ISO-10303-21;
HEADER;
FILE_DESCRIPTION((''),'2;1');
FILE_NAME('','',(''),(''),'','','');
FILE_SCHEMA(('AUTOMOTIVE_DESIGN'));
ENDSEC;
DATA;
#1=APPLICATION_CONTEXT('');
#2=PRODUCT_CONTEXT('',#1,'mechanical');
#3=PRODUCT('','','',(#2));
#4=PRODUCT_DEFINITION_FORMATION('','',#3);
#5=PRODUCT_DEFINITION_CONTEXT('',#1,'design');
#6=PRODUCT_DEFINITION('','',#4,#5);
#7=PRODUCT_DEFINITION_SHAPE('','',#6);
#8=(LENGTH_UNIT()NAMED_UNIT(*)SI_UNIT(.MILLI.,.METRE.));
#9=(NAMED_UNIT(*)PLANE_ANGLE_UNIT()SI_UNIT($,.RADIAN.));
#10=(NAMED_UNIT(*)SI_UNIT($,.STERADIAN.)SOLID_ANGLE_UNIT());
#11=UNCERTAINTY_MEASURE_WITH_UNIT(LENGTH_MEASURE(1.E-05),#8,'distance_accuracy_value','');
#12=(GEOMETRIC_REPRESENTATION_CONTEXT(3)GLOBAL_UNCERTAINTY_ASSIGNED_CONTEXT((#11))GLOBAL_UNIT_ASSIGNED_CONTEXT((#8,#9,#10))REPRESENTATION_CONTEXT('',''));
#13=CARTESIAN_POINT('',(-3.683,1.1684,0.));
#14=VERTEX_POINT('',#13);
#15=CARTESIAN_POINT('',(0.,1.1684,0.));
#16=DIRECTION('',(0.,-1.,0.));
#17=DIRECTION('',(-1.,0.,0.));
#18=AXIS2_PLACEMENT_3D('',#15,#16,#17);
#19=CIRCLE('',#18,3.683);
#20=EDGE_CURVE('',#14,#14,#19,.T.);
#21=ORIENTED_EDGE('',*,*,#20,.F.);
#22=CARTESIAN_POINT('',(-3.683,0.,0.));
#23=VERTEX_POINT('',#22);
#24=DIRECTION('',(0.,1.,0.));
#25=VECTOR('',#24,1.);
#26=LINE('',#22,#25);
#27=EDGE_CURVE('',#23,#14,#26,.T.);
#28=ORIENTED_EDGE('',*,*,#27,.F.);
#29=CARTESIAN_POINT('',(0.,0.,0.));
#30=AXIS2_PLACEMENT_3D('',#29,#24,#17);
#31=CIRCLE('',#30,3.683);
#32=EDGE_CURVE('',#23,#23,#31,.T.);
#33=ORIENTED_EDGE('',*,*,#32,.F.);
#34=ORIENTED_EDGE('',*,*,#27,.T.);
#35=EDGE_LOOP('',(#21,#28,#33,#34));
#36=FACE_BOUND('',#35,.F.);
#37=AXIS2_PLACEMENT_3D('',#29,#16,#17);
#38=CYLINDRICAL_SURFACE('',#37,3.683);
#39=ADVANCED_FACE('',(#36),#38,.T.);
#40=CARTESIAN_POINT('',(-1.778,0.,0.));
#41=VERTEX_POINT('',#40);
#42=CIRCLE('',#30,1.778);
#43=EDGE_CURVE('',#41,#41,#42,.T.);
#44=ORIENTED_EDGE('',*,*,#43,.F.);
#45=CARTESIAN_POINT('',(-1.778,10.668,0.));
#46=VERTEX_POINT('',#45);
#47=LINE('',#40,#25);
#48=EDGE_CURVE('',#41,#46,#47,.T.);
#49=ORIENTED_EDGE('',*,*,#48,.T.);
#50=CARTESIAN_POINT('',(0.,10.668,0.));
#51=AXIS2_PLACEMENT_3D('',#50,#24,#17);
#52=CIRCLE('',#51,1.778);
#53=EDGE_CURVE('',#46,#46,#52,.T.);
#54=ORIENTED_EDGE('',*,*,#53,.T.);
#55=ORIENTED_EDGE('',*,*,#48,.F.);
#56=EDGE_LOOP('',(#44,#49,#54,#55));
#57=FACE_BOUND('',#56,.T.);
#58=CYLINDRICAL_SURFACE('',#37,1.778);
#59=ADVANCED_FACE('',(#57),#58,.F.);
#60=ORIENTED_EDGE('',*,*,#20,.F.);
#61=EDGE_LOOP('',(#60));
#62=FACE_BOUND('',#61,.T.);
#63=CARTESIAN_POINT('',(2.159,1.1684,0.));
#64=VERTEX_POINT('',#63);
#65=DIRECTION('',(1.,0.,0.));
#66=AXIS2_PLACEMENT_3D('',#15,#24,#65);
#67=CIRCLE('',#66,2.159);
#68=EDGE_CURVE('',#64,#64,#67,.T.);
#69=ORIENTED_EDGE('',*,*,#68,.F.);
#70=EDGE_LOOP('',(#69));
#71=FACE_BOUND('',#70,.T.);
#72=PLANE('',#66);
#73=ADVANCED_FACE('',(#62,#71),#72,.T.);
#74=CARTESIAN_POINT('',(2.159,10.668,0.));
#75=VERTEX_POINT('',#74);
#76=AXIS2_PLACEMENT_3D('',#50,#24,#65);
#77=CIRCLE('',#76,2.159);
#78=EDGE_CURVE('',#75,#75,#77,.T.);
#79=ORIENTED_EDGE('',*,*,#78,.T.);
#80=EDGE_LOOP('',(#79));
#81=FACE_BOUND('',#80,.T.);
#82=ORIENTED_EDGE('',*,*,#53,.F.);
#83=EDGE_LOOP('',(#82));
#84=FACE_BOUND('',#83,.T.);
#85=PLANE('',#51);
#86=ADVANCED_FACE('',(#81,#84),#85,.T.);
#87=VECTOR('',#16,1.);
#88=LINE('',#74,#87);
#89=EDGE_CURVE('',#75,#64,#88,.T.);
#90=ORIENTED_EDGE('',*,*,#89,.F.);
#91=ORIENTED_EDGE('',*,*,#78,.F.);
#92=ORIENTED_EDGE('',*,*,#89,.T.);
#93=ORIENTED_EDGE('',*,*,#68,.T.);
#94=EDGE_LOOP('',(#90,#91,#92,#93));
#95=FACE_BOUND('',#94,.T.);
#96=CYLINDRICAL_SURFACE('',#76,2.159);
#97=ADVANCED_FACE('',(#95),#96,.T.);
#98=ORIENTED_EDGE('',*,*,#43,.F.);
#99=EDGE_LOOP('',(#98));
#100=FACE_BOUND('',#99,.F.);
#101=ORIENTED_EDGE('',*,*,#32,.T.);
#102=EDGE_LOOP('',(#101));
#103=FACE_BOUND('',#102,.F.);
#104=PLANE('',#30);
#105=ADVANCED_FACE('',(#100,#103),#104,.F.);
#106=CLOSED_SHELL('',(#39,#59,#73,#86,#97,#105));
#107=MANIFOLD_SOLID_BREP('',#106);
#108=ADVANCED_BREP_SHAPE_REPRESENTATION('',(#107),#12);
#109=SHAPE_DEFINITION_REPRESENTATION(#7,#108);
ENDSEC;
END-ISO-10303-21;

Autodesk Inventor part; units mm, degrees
ref_plane "YZ Plane" through (0, 0, 0) normal (1, 0, 0) x (0, 1, 0)
ref_plane "XZ Plane" through (0, 0, 0) normal (0, 1, 0) x (-1, 0, 0)
ref_plane "XY Plane" through (0, 0, 0) normal (0, 0, 1) x (1, 0, 0)
sketch "Sketch1" plane through (0, 0, 0) normal (0, 1, 0) x (-1, 0, 0)
  circle A0 centre (0, 0) radius 3.683
  circle A1 centre (0, 0) radius 1.778
  dimension "d1" = 7.366
  dimension "d4" = 3.556
extrude "Extrusion1" add sketch "Sketch1" along normal blind 10.668
sketch "Sketch2" plane through (0, 10.668, 0) normal (0, 1, 0) x (1, 0, 0)
  circle A0 centre (0, 0) radius 3.683
  circle A1 centre (0, 0) radius 2.159
  dimension "d7" = 4.318
extrude "Extrusion2" cut sketch "Sketch2" against normal blind 9.4996
properties part number "shoulder_washer_plate"
